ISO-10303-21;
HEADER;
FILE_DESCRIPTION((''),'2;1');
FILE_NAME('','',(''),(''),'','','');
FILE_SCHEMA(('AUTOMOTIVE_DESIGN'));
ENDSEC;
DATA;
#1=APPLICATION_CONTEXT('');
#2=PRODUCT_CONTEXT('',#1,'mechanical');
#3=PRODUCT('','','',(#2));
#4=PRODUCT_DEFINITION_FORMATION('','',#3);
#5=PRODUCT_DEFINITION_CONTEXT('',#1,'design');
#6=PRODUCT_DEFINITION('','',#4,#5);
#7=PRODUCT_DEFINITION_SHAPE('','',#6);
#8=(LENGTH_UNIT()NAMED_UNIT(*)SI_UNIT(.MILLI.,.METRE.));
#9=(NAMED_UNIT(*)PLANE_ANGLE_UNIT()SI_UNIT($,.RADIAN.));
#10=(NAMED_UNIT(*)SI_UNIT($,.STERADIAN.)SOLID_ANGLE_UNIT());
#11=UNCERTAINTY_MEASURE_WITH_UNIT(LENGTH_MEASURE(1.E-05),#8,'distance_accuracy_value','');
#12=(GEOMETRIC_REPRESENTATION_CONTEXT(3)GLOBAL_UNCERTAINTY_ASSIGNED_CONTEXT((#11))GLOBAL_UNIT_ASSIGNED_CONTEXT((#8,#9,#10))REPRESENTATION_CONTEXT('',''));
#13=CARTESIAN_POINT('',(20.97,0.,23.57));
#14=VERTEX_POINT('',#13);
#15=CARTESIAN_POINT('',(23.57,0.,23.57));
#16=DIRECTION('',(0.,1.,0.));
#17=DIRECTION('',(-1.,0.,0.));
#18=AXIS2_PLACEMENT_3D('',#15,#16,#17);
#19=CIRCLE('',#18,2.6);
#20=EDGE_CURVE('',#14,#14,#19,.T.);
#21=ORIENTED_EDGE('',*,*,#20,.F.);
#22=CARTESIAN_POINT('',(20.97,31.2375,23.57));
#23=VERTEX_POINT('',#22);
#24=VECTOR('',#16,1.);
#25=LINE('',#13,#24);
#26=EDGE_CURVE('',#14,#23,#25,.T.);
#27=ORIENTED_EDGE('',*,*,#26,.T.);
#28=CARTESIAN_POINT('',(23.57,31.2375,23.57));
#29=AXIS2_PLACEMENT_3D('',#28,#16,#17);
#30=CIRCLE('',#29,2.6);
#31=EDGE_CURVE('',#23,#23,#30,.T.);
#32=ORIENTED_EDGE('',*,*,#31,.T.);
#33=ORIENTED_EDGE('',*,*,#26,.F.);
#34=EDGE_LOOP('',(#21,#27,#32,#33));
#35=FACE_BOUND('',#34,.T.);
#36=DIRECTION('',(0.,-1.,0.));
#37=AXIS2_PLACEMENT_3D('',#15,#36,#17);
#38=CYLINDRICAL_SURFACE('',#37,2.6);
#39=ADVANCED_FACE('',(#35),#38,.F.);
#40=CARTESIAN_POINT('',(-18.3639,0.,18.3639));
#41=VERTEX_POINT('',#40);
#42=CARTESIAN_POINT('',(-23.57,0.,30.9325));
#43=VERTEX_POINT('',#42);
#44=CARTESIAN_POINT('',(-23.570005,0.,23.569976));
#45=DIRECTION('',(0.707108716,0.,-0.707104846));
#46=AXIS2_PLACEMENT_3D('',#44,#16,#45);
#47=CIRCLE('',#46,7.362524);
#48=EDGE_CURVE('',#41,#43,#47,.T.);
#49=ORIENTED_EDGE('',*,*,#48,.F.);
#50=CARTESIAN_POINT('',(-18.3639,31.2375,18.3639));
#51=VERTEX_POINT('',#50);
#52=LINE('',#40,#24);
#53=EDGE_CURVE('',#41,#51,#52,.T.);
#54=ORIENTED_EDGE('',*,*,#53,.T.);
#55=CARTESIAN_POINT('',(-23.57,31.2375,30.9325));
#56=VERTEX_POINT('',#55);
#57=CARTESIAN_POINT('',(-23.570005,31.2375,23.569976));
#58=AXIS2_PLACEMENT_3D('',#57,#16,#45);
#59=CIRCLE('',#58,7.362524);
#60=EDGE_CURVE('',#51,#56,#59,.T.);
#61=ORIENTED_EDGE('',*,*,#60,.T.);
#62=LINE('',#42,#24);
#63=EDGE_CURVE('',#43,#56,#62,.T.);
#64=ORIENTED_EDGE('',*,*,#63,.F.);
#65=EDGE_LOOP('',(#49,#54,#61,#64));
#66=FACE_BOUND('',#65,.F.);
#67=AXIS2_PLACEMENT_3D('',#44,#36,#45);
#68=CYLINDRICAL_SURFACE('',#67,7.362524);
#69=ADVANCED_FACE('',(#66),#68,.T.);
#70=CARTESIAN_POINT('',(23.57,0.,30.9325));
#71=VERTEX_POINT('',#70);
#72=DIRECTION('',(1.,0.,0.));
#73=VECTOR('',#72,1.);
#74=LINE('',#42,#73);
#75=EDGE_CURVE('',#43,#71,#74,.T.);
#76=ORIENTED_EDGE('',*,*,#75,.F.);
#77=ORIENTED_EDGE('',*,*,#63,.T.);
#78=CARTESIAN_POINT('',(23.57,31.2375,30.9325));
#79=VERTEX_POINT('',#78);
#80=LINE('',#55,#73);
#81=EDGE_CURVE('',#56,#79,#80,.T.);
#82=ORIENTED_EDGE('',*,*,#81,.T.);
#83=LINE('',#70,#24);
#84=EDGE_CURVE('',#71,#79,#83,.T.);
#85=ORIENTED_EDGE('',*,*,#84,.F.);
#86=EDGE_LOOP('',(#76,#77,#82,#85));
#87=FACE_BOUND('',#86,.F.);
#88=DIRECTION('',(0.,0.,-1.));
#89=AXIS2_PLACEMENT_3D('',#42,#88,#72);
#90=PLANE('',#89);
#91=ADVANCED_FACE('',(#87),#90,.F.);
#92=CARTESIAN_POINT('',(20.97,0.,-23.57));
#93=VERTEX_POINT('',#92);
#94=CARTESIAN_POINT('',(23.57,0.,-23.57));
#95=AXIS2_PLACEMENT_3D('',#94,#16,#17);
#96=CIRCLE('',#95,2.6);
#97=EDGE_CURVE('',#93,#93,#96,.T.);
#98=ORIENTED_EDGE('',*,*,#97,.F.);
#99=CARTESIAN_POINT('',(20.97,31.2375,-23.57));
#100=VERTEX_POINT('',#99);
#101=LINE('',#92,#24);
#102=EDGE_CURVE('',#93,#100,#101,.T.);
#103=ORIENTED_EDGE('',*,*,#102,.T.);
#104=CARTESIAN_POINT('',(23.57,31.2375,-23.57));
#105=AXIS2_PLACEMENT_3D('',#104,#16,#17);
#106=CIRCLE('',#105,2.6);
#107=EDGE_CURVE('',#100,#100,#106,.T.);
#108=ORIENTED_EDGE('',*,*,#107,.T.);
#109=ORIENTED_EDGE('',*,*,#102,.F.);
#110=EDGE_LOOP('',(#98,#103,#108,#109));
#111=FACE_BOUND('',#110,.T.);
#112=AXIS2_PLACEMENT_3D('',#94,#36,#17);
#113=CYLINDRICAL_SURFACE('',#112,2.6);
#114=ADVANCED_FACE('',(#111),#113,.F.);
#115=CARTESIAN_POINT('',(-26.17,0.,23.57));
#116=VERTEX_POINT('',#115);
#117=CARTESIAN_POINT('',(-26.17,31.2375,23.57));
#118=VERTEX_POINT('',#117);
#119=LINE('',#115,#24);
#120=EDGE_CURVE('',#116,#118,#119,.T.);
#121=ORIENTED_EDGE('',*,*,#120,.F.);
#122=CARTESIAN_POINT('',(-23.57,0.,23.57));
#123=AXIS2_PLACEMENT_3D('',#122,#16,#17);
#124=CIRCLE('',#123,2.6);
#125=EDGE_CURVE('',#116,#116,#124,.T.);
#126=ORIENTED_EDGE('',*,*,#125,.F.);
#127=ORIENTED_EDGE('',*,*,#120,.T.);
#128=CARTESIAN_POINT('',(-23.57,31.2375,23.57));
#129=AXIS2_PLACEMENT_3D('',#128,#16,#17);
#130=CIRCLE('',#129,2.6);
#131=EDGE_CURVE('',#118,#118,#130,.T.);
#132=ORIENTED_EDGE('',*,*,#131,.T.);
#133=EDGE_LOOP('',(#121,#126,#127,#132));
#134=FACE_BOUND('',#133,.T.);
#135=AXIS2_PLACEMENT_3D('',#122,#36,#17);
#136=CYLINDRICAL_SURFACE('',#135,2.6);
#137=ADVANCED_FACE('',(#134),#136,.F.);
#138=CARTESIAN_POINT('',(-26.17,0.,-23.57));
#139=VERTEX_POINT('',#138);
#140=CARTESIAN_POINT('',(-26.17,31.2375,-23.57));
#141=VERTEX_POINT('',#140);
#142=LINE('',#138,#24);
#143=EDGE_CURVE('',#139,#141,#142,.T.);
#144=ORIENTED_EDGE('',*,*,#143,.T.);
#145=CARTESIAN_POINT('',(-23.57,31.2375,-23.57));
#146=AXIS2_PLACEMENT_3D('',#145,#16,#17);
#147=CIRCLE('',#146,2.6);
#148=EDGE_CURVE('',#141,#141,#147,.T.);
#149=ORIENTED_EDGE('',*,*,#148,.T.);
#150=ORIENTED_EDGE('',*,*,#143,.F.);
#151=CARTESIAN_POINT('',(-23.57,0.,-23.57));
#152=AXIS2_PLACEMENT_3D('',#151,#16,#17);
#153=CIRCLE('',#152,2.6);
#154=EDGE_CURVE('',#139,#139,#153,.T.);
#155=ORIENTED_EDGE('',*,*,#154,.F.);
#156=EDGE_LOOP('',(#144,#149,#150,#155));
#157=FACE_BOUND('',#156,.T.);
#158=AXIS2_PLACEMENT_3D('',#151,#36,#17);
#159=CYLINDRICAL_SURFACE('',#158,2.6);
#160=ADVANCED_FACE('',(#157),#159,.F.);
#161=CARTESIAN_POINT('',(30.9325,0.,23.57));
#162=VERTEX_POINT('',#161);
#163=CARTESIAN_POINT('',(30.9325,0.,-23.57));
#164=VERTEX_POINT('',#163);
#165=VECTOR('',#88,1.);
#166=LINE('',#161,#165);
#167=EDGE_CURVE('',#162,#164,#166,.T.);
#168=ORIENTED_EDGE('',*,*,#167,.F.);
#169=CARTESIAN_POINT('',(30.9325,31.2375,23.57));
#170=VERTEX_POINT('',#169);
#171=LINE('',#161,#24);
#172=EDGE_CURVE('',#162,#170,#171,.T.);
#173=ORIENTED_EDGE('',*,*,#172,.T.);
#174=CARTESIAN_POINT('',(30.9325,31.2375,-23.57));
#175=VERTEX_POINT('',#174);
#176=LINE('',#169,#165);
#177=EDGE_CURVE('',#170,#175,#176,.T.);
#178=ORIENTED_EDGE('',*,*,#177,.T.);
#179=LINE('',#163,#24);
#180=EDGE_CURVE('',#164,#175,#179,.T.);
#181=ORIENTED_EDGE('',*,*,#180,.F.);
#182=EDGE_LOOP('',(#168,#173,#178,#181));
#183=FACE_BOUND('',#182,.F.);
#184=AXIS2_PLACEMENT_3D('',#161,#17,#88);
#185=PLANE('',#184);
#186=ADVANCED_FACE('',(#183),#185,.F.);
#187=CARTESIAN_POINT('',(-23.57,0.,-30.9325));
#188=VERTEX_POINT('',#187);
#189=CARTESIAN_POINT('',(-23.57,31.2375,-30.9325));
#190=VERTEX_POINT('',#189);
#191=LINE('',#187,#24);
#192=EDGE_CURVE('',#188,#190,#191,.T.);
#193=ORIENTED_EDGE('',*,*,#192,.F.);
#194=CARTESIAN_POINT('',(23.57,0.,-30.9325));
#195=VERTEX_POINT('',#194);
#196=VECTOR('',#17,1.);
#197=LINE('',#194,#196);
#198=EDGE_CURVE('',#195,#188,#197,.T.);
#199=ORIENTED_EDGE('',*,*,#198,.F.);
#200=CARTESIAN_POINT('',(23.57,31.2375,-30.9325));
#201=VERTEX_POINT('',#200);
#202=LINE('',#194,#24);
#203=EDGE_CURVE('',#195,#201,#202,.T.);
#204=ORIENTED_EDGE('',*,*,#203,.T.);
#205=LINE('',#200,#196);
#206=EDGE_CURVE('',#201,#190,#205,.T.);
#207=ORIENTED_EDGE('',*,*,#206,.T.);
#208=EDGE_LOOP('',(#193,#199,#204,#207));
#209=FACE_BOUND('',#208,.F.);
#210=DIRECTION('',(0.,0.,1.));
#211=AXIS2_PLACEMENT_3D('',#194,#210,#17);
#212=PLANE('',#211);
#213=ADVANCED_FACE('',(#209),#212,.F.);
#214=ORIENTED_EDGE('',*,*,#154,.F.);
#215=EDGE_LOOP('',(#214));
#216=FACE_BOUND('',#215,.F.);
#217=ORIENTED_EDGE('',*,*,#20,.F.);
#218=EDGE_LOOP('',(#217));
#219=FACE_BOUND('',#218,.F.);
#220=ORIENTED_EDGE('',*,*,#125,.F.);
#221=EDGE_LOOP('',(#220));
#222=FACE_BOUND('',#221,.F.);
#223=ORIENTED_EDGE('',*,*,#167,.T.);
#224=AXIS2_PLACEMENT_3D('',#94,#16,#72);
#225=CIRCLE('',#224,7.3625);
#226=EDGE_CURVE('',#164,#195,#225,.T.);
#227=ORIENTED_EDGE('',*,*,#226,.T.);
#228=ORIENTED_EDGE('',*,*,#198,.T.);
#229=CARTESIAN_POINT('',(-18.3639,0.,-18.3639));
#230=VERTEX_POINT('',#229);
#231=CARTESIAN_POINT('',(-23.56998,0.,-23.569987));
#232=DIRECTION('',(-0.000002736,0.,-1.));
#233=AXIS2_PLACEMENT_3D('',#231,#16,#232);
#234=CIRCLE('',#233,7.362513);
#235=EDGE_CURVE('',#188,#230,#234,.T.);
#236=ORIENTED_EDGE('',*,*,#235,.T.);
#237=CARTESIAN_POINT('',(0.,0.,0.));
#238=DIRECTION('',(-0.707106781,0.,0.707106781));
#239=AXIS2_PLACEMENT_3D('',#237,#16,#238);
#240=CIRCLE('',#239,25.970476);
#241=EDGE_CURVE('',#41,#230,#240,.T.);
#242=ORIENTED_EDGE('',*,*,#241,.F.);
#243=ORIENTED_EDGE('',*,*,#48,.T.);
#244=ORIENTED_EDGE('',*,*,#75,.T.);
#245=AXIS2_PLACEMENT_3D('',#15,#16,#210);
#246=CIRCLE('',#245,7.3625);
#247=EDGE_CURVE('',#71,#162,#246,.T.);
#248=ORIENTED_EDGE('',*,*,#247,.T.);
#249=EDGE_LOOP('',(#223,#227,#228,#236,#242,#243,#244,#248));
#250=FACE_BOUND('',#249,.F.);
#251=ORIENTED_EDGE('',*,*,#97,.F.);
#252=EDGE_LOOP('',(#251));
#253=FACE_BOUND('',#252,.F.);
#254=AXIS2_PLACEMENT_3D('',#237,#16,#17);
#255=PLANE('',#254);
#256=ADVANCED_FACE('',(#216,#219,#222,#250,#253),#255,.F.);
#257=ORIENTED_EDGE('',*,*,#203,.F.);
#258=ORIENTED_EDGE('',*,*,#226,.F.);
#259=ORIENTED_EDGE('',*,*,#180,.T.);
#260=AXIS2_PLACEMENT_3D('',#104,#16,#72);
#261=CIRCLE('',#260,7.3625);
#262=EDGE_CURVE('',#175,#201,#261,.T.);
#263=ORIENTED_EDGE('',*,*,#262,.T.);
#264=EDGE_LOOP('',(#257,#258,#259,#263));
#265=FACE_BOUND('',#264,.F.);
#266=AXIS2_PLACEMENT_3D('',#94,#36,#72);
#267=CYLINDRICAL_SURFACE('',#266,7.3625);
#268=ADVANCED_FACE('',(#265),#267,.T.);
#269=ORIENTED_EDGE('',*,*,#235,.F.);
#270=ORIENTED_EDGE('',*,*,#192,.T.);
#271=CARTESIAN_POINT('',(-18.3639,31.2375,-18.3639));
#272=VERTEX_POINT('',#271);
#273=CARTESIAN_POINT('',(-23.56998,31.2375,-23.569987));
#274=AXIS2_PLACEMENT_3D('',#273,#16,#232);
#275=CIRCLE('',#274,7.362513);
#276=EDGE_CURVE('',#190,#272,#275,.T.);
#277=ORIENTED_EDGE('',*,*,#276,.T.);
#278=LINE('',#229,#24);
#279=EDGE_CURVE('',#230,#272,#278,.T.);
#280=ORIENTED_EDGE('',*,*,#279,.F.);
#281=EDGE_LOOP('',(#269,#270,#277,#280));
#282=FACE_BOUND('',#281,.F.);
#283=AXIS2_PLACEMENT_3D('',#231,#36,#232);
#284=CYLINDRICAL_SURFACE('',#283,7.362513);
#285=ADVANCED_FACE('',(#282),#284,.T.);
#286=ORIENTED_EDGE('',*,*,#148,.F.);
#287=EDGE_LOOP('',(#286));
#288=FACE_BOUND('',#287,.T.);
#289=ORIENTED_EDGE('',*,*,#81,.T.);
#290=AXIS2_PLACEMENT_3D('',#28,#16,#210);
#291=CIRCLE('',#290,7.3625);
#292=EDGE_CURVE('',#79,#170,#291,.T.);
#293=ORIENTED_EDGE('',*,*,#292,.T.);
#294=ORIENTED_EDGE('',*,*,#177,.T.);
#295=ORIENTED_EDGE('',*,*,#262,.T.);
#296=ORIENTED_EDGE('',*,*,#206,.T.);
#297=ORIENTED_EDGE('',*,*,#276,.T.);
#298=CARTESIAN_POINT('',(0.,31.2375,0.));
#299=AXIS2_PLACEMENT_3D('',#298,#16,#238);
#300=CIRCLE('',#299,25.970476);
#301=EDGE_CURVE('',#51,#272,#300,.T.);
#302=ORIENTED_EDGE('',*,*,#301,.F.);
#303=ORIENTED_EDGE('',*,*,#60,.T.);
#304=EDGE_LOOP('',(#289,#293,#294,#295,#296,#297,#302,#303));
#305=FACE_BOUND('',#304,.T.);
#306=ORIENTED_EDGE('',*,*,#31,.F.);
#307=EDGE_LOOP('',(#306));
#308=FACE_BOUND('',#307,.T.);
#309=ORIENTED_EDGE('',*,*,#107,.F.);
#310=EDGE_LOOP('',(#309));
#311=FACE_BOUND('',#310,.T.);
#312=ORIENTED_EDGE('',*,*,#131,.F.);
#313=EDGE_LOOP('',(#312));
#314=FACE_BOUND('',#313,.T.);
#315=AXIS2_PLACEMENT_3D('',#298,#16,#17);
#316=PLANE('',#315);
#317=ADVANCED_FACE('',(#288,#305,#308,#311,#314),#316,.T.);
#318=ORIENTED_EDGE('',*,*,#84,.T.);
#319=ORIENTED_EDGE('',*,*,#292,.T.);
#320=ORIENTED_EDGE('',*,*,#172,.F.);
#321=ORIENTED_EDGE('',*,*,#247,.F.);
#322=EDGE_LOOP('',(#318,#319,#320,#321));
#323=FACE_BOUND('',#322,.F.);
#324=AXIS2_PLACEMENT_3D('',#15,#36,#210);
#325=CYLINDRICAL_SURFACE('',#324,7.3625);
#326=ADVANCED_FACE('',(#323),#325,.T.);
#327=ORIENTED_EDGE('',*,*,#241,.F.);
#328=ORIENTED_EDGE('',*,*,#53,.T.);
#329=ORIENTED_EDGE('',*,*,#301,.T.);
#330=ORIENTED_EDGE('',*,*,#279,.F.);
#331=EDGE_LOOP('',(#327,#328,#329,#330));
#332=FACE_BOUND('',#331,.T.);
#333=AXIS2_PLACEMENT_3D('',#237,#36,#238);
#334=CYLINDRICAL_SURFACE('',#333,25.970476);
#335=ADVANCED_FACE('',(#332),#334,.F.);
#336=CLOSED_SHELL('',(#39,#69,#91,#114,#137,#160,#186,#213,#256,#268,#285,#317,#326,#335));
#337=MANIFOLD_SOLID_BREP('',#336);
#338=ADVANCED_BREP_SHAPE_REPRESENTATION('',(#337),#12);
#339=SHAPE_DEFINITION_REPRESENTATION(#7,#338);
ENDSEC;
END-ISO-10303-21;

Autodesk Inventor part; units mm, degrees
ref_plane "YZ Plane" through (0, 0, 0) normal (1, 0, 0) x (0, 1, 0)
ref_plane "XZ Plane" through (0, 0, 0) normal (0, 1, 0) x (-1, 0, 0)
ref_plane "XY Plane" through (0, 0, 0) normal (0, 0, 1) x (1, 0, 0)
sketch "Sketch1" plane through (0, 0, 0) normal (0, 1, 0) x (-1, 0, 0)
  circle A0 centre (0, 0) radius 8.0947
  circle A1 centre (23.57, 23.57) radius 2.6
  circle A2 centre (23.57, -23.57) radius 2.6
  circle A3 centre (-23.57, -23.57) radius 2.6
  circle A4 centre (-23.57, 23.57) radius 2.6
  circle A5 centre (23.57, 23.57) radius 7.3625 construction
  circle A6 centre (23.57, -23.57) radius 7.3625 construction
  circle A7 centre (-23.57, -23.57) radius 7.3625 construction
  circle A8 centre (-23.57, 23.57) radius 7.3625 construction
  line L0 (23.57, 30.9325) -> (-23.57, 30.9325)
  line L1 (-30.9325, 23.57) -> (-30.9325, -23.57)
  line L2 (-23.57, -30.9325) -> (23.57, -30.9325)
  arc A9 (18.3639, 18.3639) -> (23.57, 30.9325) centre (23.57, 23.57) ccw
  arc A10 (23.57, -30.9325) -> (18.3639, -18.3639) centre (23.57, -23.57) ccw
  circle A11 centre (0, 0) radius 25.9705 construction
  arc A12 (18.3639, 18.3639) -> (18.3639, -18.3639) centre (0, 0) ccw
  arc A13 (-23.57, 30.9325) -> (-30.9325, 23.57) centre (-23.57, 23.57) ccw
  arc A14 (-30.9325, -23.57) -> (-23.57, -30.9325) centre (-23.57, -23.57) ccw
  dimension "d0" = 16.1894
  dimension "d1" = 5.2
  dimension "d2" = 23.57
  dimension "d3" = 23.57
  dimension "d4" = 23.57
  dimension "d5" = 23.57
  dimension "d6" = 4.7625
extrude "Extrusion1" add sketch "Sketch1" along normal blind 31.2375 contours A9 A12 A10 L2 A14 L1 A13 L0
properties part number "CNC-009-XAxisNema23Spacer" material "ABS Plastic"
